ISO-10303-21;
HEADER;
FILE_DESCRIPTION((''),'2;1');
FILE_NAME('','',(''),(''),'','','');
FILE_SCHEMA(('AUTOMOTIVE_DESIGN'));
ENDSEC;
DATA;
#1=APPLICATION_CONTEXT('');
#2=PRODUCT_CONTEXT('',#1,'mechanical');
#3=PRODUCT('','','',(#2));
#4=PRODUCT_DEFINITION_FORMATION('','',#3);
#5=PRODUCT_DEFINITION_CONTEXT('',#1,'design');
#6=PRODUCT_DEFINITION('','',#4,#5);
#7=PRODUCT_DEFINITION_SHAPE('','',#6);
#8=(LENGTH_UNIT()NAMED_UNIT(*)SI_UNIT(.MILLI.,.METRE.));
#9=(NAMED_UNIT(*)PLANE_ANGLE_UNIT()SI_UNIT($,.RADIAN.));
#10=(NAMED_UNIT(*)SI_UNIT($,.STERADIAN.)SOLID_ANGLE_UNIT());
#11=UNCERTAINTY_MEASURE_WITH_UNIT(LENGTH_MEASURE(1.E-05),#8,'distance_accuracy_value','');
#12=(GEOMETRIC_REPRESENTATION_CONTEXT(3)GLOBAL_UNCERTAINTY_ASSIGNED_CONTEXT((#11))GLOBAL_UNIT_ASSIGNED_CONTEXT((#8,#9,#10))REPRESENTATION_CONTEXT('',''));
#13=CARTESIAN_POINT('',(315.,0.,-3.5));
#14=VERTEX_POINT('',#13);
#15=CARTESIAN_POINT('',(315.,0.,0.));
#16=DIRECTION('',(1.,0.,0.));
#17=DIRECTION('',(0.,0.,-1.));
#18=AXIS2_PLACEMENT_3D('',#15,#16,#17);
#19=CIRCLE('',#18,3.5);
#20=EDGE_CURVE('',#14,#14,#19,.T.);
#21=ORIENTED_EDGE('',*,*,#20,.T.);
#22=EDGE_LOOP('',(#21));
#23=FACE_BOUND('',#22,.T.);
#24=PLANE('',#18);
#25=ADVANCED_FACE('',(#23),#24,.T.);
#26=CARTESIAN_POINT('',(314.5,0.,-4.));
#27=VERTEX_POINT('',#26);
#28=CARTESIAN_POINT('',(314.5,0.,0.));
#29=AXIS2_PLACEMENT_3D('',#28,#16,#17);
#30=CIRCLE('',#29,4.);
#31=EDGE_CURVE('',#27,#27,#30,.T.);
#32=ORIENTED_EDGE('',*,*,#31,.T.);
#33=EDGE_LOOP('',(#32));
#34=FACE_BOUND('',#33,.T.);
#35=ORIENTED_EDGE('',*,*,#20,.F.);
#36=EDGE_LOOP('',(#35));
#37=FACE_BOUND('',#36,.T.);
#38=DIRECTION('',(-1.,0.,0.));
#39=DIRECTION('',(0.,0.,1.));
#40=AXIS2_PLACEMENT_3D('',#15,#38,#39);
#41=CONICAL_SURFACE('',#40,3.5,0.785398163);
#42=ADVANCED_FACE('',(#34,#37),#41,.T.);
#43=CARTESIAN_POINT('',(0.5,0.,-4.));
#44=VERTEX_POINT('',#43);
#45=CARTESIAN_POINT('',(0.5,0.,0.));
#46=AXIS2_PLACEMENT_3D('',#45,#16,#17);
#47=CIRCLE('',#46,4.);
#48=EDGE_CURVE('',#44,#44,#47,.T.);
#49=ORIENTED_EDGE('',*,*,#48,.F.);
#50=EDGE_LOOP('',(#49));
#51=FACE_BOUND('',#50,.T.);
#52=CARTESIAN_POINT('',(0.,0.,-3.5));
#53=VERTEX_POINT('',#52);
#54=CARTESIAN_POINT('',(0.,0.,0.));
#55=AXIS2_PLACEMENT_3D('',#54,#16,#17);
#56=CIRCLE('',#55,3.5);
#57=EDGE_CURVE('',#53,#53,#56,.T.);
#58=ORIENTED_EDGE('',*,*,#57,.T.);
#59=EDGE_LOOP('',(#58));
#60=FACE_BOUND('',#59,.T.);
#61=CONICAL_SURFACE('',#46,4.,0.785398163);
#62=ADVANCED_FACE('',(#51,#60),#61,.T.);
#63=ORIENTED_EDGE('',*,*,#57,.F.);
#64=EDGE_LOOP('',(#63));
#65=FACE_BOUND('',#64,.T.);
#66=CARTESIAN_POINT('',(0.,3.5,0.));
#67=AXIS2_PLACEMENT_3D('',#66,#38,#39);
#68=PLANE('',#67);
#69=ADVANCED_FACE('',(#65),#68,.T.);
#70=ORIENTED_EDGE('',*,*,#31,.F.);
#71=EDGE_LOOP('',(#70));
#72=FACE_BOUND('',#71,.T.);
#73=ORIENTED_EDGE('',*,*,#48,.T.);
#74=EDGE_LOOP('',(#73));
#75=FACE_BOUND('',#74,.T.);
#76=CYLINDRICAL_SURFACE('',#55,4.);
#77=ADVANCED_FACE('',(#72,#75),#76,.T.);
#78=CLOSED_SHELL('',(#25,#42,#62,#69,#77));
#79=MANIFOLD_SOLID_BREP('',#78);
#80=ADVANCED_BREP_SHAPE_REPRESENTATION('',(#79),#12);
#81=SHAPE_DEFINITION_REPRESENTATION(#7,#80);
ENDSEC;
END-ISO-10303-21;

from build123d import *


with BuildPart() as part:
    # Sketch1 → Revolve1 (revolve)
    with BuildSketch(Plane.XY, mode=Mode.PRIVATE) as revolve1_sk:
        Polygon((0, 3.5), (0, 0), (315, 0), (315, 3.5), (314.5, 4), (0.5, 4), align=None)
    revolve(revolve1_sk.sketch.rotate(Axis((0, 0, 0), (1, 0, 0)), 270), axis=Axis((0, 0, 0), (1, 0, 0)))


solid = part.part
